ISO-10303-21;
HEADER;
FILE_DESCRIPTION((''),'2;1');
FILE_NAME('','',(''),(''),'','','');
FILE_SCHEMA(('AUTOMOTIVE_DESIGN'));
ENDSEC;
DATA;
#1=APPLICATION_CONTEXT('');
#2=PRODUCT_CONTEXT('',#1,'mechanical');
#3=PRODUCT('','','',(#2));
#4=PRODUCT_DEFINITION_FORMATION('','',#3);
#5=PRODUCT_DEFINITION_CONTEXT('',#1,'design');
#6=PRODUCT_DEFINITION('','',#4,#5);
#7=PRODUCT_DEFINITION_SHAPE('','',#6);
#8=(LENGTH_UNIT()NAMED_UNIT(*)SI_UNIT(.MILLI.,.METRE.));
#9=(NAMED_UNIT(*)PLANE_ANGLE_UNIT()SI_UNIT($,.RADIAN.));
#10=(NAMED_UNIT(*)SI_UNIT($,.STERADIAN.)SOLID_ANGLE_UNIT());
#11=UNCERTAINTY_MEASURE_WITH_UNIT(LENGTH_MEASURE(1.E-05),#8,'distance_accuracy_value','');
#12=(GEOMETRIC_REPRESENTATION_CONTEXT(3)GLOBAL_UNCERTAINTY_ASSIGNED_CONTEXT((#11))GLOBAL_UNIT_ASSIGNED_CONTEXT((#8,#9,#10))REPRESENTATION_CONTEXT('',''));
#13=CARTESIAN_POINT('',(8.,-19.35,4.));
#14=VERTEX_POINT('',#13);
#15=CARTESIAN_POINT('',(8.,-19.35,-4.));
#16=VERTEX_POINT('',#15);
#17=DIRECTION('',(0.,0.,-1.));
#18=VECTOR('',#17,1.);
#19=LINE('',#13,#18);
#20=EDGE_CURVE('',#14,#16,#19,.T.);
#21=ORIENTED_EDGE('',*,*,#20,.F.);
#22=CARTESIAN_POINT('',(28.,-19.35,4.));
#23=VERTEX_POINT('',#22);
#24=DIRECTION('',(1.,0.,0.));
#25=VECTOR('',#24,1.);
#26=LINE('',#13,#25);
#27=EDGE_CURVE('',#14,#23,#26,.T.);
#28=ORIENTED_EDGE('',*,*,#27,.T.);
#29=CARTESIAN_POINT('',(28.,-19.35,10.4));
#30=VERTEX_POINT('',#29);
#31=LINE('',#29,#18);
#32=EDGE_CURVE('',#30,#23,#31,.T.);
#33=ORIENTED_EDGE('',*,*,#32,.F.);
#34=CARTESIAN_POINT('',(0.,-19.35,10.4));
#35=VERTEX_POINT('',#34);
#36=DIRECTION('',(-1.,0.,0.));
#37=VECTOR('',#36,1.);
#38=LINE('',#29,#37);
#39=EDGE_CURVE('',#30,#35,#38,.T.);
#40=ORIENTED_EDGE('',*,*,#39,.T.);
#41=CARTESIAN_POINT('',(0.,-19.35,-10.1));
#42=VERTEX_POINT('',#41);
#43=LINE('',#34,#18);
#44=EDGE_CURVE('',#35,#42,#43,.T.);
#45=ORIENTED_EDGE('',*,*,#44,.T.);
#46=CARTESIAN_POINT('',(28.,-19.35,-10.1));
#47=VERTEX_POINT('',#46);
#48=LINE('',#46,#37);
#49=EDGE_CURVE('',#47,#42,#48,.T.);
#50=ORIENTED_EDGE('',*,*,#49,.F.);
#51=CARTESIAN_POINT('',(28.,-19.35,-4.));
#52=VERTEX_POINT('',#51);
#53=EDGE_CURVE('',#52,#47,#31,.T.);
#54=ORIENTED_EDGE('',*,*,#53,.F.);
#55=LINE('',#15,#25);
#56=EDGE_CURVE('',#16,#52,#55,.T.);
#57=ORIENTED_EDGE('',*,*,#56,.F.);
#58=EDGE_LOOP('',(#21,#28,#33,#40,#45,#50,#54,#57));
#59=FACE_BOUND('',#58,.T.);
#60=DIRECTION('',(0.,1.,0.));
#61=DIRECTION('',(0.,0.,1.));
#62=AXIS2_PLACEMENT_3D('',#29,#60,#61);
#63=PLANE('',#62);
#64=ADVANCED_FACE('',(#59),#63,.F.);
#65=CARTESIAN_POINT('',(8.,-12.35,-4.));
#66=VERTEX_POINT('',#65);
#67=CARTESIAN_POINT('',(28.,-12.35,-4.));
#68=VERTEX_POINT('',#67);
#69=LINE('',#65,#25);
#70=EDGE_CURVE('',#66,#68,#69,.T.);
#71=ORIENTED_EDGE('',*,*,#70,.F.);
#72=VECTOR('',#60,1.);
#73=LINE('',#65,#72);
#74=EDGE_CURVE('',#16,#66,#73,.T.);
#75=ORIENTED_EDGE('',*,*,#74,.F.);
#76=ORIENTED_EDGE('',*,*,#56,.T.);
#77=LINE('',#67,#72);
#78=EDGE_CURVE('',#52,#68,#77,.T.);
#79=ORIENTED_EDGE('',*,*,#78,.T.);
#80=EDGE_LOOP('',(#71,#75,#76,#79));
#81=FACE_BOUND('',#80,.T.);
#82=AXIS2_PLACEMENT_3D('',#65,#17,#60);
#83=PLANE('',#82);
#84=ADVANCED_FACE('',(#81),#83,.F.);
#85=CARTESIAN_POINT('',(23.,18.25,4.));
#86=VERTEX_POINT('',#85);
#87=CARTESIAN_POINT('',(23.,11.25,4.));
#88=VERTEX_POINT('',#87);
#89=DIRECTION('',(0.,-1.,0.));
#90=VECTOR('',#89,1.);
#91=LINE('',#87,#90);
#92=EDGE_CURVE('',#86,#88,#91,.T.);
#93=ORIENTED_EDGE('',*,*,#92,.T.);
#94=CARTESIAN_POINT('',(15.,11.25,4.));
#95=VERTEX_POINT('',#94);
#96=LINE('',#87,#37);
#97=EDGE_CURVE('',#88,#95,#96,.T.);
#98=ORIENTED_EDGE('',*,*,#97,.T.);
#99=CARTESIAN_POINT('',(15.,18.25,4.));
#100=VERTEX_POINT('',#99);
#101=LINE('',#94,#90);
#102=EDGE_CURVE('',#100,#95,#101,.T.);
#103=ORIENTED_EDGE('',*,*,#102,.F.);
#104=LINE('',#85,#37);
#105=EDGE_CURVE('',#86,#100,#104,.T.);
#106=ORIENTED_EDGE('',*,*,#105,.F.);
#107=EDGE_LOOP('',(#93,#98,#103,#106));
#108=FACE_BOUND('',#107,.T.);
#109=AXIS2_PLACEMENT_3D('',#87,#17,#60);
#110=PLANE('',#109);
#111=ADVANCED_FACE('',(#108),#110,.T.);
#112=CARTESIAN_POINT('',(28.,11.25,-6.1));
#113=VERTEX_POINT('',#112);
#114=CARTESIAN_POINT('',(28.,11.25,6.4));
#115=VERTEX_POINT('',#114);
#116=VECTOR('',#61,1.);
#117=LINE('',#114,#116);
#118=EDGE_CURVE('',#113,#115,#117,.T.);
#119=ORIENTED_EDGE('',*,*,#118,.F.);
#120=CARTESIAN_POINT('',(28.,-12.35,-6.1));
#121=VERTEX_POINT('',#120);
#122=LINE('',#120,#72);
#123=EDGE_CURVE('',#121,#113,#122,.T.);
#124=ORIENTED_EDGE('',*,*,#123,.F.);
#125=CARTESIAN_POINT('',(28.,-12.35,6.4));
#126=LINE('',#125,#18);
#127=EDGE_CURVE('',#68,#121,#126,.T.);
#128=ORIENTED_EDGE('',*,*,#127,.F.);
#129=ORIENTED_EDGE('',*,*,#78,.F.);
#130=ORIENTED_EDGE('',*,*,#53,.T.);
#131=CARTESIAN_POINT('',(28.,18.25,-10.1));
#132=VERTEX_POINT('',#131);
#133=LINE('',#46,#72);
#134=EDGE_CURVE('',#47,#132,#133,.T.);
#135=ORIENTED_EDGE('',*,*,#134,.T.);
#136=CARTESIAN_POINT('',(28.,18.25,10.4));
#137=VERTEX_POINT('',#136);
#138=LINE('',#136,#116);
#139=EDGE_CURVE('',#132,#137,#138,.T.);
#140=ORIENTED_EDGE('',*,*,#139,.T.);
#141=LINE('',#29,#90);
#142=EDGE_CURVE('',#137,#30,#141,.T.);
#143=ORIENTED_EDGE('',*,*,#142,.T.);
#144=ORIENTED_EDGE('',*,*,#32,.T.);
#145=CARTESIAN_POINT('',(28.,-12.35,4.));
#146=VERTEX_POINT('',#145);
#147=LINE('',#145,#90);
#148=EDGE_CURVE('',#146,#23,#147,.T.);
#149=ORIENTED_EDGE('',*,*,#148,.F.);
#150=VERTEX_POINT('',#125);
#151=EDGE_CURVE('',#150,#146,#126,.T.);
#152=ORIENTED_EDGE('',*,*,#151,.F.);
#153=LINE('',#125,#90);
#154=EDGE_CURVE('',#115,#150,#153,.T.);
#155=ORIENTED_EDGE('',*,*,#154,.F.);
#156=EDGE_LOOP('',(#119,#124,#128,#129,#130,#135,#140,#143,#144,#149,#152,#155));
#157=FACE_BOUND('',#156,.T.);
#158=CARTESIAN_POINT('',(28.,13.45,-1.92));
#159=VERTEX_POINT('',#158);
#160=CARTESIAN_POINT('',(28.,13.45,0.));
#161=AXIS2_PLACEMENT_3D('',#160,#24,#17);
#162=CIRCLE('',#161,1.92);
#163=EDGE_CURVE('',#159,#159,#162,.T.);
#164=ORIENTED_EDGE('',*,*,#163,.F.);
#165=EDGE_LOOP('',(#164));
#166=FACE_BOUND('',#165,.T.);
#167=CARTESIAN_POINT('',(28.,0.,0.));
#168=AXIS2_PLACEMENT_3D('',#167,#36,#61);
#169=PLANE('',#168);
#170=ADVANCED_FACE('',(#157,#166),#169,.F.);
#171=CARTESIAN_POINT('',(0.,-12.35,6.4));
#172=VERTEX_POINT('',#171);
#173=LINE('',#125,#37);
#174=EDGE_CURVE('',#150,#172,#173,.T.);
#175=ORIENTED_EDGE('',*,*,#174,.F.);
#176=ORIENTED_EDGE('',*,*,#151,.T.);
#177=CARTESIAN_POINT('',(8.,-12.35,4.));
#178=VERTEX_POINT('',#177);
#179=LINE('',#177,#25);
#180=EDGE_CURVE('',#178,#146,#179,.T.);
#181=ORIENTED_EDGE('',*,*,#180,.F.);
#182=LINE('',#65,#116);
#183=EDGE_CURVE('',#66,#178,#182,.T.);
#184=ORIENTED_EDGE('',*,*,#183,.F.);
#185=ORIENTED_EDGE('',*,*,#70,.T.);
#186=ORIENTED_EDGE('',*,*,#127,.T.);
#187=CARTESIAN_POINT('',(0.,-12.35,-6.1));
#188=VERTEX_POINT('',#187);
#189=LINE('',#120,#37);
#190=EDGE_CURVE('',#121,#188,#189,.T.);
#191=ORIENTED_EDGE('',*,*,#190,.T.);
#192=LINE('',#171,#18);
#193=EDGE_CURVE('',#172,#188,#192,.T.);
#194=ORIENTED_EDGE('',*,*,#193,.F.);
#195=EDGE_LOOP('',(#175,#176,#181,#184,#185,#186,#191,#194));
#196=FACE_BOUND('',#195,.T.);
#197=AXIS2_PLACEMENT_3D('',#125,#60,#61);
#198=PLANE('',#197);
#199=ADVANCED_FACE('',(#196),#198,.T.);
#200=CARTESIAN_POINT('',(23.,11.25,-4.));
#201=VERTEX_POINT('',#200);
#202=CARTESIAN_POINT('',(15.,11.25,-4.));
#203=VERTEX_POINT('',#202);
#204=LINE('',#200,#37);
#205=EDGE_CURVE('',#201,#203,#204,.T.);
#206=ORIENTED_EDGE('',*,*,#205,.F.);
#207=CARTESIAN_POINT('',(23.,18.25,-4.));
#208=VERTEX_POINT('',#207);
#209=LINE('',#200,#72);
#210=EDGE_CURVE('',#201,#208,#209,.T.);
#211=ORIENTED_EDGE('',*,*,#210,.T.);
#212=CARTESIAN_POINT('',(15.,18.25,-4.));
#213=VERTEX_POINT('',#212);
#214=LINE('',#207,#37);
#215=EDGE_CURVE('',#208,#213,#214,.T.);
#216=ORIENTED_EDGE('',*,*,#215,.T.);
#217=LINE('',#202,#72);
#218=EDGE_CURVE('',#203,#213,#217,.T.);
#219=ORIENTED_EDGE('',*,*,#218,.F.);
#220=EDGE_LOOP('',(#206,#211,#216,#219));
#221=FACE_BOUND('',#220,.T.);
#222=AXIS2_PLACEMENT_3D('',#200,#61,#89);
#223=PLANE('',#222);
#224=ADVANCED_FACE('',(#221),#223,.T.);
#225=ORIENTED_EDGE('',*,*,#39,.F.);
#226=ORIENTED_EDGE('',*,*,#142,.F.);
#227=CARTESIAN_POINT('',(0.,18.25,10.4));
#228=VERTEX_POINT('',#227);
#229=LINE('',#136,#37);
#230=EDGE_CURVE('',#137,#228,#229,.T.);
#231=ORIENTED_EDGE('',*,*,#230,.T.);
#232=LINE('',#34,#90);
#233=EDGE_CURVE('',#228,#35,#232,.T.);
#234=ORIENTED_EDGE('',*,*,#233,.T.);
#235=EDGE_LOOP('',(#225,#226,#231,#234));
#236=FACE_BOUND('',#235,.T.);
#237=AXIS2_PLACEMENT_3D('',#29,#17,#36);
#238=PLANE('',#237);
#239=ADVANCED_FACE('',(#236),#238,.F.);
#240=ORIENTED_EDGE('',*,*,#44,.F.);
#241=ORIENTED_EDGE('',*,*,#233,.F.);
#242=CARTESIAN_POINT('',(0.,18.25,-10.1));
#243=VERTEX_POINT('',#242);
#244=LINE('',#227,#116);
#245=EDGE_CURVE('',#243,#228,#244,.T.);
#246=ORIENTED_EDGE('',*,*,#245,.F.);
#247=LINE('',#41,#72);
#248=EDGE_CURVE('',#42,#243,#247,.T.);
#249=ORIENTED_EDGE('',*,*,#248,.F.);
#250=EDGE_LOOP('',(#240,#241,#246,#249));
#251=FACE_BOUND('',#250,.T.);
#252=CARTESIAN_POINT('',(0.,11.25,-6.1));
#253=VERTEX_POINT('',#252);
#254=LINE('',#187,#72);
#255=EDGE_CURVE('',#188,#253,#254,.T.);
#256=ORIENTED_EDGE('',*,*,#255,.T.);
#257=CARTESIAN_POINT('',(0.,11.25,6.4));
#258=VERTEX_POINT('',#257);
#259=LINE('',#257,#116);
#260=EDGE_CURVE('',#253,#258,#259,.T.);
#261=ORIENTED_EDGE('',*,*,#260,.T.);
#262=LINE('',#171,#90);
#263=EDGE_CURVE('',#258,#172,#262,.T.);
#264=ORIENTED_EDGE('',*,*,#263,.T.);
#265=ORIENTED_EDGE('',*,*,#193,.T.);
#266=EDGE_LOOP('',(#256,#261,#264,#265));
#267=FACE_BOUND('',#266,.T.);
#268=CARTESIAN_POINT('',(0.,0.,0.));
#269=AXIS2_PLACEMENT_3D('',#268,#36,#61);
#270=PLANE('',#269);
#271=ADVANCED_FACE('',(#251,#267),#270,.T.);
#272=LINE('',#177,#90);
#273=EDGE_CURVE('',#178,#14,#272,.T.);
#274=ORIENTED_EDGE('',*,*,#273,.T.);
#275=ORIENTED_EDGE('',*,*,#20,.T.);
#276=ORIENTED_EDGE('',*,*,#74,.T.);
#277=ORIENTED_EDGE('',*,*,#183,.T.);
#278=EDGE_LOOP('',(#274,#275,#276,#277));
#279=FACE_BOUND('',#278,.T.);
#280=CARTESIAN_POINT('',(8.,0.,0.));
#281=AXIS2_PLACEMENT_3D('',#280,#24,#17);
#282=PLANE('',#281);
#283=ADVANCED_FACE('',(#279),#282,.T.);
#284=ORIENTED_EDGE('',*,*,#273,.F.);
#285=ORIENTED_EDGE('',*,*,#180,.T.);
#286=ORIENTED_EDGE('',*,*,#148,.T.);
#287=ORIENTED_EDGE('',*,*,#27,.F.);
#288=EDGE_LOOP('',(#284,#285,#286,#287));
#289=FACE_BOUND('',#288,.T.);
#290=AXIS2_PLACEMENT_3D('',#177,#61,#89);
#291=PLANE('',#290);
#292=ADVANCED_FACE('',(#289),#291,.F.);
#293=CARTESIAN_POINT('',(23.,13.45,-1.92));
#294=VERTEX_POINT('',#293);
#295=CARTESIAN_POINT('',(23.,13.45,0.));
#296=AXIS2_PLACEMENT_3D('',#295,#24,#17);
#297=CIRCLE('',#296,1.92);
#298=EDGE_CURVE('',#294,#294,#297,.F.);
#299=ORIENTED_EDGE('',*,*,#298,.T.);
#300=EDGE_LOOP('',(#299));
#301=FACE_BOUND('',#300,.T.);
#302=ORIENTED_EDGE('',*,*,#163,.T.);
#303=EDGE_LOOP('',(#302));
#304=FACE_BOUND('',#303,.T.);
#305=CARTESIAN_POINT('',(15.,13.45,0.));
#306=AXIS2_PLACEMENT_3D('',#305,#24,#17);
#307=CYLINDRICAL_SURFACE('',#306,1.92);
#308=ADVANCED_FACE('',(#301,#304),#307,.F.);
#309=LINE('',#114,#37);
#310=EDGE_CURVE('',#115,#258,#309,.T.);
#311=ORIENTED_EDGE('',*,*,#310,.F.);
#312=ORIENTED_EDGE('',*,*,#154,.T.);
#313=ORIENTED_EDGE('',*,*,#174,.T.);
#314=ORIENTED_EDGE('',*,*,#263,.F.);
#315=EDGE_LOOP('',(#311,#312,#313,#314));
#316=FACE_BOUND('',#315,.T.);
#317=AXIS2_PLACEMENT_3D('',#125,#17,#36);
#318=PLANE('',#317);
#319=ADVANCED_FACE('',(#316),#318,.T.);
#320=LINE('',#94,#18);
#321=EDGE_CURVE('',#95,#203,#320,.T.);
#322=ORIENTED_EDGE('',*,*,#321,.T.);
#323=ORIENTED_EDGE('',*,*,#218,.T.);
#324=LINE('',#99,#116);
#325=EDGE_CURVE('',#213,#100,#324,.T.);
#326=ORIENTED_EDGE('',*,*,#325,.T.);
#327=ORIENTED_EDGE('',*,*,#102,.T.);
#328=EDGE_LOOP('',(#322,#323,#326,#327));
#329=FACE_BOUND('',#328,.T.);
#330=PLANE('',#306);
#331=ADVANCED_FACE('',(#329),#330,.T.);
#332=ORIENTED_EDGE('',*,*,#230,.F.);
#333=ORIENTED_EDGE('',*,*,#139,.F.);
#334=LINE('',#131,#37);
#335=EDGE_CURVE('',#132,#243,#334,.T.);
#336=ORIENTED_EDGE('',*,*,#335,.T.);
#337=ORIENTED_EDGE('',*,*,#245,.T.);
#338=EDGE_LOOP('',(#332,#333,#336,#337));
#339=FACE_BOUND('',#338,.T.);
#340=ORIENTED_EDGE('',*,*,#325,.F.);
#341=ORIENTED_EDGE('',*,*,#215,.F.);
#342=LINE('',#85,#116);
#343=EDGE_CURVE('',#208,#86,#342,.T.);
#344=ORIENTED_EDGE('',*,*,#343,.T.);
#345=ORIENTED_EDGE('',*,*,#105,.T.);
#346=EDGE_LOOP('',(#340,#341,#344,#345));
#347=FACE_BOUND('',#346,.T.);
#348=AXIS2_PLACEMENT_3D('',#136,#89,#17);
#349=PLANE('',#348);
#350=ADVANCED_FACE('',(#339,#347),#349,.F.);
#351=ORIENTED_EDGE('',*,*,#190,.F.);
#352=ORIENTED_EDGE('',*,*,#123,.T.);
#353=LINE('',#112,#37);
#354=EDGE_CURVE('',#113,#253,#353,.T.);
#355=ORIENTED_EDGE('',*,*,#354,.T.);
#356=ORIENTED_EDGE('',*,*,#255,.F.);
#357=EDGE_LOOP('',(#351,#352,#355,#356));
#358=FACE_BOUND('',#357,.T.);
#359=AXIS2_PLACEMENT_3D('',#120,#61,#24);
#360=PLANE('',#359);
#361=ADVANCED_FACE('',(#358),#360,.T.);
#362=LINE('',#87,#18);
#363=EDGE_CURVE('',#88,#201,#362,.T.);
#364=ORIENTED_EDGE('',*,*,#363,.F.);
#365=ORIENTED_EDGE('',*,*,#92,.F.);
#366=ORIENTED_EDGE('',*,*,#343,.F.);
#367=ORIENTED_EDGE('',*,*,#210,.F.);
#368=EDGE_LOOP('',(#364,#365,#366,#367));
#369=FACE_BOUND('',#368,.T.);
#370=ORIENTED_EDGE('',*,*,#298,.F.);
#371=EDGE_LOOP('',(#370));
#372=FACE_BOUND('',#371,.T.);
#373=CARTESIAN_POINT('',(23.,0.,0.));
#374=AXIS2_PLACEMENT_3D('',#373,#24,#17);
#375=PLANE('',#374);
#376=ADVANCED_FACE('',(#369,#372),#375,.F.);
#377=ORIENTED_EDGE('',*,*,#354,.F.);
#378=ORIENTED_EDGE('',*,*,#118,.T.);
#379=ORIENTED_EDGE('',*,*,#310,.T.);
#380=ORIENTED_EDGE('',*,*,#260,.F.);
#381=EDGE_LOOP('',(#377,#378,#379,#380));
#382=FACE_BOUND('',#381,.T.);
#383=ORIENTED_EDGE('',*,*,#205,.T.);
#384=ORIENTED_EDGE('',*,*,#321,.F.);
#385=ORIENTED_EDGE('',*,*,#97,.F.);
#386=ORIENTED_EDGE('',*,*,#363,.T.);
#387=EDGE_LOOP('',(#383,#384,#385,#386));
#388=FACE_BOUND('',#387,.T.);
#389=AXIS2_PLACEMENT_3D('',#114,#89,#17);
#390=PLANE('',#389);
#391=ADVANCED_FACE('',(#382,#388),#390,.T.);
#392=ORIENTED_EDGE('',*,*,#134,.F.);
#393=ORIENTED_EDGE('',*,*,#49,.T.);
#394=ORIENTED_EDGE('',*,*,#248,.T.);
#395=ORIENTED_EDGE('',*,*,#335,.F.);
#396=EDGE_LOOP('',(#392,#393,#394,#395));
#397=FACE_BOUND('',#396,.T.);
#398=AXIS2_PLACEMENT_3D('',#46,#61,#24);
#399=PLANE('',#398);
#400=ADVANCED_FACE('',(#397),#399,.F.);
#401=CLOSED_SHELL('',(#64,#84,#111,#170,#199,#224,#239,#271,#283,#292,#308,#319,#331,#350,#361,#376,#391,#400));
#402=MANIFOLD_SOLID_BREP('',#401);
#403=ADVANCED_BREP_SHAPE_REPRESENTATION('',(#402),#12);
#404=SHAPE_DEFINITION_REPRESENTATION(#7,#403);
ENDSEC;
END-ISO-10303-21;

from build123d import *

# Parameters (mm, degrees)
SKETCH1_W           = 20.5
SKETCH1_H           = 37.6
SKETCH1_W_2         = 12.5
SKETCH1_H_2         = 23.6
BOSS_EXTRUDE1_DEPTH = 28
SKETCH2_R           = 1.92
CUT_EXTRUDE1_DEPTH  = 13
SKETCH3_W           = 8
SKETCH3_H           = 7
CUT_EXTRUDE2_DEPTH  = 8
SKETCH4_W           = 8
SKETCH4_H           = 7
CUT_EXTRUDE3_DEPTH  = 20


with BuildPart() as part:
    # Sketch1 → Boss-Extrude1 (new body)
    with BuildSketch(Plane(origin=(0, 0, 0), x_dir=(0, 0, -1), z_dir=(1, 0, 0))):
        with Locations((-0.15, -0.55)):
            Rectangle(SKETCH1_W, SKETCH1_H)
        with Locations((-0.15, -0.55)):
            Rectangle(SKETCH1_W_2, SKETCH1_H_2, mode=Mode.SUBTRACT)
    extrude(amount=BOSS_EXTRUDE1_DEPTH)

    # Sketch2 → Cut-Extrude1 (cut)
    with BuildSketch(Plane(origin=(28, 0, 0), x_dir=(0, 0, -1), z_dir=(1, 0, 0))):
        with Locations((0, 13.45)):
            Circle(SKETCH2_R)
    extrude(amount=-CUT_EXTRUDE1_DEPTH, mode=Mode.SUBTRACT)

    # Sketch3 → Cut-Extrude2 (cut)
    with BuildSketch(Plane(origin=(15, 0, 0), x_dir=(0, 0, -1), z_dir=(1, 0, 0))):
        with Locations((0, 14.75)):
            Rectangle(SKETCH3_W, SKETCH3_H)
    extrude(amount=CUT_EXTRUDE2_DEPTH, mode=Mode.SUBTRACT)

    # Sketch4 → Cut-Extrude3 (cut)
    with BuildSketch(Plane(origin=(28, 0, 0), x_dir=(0, 0, -1), z_dir=(1, 0, 0))):
        with Locations((0, -15.85)):
            Rectangle(SKETCH4_W, SKETCH4_H)
    extrude(amount=-CUT_EXTRUDE3_DEPTH, mode=Mode.SUBTRACT)


solid = part.part
